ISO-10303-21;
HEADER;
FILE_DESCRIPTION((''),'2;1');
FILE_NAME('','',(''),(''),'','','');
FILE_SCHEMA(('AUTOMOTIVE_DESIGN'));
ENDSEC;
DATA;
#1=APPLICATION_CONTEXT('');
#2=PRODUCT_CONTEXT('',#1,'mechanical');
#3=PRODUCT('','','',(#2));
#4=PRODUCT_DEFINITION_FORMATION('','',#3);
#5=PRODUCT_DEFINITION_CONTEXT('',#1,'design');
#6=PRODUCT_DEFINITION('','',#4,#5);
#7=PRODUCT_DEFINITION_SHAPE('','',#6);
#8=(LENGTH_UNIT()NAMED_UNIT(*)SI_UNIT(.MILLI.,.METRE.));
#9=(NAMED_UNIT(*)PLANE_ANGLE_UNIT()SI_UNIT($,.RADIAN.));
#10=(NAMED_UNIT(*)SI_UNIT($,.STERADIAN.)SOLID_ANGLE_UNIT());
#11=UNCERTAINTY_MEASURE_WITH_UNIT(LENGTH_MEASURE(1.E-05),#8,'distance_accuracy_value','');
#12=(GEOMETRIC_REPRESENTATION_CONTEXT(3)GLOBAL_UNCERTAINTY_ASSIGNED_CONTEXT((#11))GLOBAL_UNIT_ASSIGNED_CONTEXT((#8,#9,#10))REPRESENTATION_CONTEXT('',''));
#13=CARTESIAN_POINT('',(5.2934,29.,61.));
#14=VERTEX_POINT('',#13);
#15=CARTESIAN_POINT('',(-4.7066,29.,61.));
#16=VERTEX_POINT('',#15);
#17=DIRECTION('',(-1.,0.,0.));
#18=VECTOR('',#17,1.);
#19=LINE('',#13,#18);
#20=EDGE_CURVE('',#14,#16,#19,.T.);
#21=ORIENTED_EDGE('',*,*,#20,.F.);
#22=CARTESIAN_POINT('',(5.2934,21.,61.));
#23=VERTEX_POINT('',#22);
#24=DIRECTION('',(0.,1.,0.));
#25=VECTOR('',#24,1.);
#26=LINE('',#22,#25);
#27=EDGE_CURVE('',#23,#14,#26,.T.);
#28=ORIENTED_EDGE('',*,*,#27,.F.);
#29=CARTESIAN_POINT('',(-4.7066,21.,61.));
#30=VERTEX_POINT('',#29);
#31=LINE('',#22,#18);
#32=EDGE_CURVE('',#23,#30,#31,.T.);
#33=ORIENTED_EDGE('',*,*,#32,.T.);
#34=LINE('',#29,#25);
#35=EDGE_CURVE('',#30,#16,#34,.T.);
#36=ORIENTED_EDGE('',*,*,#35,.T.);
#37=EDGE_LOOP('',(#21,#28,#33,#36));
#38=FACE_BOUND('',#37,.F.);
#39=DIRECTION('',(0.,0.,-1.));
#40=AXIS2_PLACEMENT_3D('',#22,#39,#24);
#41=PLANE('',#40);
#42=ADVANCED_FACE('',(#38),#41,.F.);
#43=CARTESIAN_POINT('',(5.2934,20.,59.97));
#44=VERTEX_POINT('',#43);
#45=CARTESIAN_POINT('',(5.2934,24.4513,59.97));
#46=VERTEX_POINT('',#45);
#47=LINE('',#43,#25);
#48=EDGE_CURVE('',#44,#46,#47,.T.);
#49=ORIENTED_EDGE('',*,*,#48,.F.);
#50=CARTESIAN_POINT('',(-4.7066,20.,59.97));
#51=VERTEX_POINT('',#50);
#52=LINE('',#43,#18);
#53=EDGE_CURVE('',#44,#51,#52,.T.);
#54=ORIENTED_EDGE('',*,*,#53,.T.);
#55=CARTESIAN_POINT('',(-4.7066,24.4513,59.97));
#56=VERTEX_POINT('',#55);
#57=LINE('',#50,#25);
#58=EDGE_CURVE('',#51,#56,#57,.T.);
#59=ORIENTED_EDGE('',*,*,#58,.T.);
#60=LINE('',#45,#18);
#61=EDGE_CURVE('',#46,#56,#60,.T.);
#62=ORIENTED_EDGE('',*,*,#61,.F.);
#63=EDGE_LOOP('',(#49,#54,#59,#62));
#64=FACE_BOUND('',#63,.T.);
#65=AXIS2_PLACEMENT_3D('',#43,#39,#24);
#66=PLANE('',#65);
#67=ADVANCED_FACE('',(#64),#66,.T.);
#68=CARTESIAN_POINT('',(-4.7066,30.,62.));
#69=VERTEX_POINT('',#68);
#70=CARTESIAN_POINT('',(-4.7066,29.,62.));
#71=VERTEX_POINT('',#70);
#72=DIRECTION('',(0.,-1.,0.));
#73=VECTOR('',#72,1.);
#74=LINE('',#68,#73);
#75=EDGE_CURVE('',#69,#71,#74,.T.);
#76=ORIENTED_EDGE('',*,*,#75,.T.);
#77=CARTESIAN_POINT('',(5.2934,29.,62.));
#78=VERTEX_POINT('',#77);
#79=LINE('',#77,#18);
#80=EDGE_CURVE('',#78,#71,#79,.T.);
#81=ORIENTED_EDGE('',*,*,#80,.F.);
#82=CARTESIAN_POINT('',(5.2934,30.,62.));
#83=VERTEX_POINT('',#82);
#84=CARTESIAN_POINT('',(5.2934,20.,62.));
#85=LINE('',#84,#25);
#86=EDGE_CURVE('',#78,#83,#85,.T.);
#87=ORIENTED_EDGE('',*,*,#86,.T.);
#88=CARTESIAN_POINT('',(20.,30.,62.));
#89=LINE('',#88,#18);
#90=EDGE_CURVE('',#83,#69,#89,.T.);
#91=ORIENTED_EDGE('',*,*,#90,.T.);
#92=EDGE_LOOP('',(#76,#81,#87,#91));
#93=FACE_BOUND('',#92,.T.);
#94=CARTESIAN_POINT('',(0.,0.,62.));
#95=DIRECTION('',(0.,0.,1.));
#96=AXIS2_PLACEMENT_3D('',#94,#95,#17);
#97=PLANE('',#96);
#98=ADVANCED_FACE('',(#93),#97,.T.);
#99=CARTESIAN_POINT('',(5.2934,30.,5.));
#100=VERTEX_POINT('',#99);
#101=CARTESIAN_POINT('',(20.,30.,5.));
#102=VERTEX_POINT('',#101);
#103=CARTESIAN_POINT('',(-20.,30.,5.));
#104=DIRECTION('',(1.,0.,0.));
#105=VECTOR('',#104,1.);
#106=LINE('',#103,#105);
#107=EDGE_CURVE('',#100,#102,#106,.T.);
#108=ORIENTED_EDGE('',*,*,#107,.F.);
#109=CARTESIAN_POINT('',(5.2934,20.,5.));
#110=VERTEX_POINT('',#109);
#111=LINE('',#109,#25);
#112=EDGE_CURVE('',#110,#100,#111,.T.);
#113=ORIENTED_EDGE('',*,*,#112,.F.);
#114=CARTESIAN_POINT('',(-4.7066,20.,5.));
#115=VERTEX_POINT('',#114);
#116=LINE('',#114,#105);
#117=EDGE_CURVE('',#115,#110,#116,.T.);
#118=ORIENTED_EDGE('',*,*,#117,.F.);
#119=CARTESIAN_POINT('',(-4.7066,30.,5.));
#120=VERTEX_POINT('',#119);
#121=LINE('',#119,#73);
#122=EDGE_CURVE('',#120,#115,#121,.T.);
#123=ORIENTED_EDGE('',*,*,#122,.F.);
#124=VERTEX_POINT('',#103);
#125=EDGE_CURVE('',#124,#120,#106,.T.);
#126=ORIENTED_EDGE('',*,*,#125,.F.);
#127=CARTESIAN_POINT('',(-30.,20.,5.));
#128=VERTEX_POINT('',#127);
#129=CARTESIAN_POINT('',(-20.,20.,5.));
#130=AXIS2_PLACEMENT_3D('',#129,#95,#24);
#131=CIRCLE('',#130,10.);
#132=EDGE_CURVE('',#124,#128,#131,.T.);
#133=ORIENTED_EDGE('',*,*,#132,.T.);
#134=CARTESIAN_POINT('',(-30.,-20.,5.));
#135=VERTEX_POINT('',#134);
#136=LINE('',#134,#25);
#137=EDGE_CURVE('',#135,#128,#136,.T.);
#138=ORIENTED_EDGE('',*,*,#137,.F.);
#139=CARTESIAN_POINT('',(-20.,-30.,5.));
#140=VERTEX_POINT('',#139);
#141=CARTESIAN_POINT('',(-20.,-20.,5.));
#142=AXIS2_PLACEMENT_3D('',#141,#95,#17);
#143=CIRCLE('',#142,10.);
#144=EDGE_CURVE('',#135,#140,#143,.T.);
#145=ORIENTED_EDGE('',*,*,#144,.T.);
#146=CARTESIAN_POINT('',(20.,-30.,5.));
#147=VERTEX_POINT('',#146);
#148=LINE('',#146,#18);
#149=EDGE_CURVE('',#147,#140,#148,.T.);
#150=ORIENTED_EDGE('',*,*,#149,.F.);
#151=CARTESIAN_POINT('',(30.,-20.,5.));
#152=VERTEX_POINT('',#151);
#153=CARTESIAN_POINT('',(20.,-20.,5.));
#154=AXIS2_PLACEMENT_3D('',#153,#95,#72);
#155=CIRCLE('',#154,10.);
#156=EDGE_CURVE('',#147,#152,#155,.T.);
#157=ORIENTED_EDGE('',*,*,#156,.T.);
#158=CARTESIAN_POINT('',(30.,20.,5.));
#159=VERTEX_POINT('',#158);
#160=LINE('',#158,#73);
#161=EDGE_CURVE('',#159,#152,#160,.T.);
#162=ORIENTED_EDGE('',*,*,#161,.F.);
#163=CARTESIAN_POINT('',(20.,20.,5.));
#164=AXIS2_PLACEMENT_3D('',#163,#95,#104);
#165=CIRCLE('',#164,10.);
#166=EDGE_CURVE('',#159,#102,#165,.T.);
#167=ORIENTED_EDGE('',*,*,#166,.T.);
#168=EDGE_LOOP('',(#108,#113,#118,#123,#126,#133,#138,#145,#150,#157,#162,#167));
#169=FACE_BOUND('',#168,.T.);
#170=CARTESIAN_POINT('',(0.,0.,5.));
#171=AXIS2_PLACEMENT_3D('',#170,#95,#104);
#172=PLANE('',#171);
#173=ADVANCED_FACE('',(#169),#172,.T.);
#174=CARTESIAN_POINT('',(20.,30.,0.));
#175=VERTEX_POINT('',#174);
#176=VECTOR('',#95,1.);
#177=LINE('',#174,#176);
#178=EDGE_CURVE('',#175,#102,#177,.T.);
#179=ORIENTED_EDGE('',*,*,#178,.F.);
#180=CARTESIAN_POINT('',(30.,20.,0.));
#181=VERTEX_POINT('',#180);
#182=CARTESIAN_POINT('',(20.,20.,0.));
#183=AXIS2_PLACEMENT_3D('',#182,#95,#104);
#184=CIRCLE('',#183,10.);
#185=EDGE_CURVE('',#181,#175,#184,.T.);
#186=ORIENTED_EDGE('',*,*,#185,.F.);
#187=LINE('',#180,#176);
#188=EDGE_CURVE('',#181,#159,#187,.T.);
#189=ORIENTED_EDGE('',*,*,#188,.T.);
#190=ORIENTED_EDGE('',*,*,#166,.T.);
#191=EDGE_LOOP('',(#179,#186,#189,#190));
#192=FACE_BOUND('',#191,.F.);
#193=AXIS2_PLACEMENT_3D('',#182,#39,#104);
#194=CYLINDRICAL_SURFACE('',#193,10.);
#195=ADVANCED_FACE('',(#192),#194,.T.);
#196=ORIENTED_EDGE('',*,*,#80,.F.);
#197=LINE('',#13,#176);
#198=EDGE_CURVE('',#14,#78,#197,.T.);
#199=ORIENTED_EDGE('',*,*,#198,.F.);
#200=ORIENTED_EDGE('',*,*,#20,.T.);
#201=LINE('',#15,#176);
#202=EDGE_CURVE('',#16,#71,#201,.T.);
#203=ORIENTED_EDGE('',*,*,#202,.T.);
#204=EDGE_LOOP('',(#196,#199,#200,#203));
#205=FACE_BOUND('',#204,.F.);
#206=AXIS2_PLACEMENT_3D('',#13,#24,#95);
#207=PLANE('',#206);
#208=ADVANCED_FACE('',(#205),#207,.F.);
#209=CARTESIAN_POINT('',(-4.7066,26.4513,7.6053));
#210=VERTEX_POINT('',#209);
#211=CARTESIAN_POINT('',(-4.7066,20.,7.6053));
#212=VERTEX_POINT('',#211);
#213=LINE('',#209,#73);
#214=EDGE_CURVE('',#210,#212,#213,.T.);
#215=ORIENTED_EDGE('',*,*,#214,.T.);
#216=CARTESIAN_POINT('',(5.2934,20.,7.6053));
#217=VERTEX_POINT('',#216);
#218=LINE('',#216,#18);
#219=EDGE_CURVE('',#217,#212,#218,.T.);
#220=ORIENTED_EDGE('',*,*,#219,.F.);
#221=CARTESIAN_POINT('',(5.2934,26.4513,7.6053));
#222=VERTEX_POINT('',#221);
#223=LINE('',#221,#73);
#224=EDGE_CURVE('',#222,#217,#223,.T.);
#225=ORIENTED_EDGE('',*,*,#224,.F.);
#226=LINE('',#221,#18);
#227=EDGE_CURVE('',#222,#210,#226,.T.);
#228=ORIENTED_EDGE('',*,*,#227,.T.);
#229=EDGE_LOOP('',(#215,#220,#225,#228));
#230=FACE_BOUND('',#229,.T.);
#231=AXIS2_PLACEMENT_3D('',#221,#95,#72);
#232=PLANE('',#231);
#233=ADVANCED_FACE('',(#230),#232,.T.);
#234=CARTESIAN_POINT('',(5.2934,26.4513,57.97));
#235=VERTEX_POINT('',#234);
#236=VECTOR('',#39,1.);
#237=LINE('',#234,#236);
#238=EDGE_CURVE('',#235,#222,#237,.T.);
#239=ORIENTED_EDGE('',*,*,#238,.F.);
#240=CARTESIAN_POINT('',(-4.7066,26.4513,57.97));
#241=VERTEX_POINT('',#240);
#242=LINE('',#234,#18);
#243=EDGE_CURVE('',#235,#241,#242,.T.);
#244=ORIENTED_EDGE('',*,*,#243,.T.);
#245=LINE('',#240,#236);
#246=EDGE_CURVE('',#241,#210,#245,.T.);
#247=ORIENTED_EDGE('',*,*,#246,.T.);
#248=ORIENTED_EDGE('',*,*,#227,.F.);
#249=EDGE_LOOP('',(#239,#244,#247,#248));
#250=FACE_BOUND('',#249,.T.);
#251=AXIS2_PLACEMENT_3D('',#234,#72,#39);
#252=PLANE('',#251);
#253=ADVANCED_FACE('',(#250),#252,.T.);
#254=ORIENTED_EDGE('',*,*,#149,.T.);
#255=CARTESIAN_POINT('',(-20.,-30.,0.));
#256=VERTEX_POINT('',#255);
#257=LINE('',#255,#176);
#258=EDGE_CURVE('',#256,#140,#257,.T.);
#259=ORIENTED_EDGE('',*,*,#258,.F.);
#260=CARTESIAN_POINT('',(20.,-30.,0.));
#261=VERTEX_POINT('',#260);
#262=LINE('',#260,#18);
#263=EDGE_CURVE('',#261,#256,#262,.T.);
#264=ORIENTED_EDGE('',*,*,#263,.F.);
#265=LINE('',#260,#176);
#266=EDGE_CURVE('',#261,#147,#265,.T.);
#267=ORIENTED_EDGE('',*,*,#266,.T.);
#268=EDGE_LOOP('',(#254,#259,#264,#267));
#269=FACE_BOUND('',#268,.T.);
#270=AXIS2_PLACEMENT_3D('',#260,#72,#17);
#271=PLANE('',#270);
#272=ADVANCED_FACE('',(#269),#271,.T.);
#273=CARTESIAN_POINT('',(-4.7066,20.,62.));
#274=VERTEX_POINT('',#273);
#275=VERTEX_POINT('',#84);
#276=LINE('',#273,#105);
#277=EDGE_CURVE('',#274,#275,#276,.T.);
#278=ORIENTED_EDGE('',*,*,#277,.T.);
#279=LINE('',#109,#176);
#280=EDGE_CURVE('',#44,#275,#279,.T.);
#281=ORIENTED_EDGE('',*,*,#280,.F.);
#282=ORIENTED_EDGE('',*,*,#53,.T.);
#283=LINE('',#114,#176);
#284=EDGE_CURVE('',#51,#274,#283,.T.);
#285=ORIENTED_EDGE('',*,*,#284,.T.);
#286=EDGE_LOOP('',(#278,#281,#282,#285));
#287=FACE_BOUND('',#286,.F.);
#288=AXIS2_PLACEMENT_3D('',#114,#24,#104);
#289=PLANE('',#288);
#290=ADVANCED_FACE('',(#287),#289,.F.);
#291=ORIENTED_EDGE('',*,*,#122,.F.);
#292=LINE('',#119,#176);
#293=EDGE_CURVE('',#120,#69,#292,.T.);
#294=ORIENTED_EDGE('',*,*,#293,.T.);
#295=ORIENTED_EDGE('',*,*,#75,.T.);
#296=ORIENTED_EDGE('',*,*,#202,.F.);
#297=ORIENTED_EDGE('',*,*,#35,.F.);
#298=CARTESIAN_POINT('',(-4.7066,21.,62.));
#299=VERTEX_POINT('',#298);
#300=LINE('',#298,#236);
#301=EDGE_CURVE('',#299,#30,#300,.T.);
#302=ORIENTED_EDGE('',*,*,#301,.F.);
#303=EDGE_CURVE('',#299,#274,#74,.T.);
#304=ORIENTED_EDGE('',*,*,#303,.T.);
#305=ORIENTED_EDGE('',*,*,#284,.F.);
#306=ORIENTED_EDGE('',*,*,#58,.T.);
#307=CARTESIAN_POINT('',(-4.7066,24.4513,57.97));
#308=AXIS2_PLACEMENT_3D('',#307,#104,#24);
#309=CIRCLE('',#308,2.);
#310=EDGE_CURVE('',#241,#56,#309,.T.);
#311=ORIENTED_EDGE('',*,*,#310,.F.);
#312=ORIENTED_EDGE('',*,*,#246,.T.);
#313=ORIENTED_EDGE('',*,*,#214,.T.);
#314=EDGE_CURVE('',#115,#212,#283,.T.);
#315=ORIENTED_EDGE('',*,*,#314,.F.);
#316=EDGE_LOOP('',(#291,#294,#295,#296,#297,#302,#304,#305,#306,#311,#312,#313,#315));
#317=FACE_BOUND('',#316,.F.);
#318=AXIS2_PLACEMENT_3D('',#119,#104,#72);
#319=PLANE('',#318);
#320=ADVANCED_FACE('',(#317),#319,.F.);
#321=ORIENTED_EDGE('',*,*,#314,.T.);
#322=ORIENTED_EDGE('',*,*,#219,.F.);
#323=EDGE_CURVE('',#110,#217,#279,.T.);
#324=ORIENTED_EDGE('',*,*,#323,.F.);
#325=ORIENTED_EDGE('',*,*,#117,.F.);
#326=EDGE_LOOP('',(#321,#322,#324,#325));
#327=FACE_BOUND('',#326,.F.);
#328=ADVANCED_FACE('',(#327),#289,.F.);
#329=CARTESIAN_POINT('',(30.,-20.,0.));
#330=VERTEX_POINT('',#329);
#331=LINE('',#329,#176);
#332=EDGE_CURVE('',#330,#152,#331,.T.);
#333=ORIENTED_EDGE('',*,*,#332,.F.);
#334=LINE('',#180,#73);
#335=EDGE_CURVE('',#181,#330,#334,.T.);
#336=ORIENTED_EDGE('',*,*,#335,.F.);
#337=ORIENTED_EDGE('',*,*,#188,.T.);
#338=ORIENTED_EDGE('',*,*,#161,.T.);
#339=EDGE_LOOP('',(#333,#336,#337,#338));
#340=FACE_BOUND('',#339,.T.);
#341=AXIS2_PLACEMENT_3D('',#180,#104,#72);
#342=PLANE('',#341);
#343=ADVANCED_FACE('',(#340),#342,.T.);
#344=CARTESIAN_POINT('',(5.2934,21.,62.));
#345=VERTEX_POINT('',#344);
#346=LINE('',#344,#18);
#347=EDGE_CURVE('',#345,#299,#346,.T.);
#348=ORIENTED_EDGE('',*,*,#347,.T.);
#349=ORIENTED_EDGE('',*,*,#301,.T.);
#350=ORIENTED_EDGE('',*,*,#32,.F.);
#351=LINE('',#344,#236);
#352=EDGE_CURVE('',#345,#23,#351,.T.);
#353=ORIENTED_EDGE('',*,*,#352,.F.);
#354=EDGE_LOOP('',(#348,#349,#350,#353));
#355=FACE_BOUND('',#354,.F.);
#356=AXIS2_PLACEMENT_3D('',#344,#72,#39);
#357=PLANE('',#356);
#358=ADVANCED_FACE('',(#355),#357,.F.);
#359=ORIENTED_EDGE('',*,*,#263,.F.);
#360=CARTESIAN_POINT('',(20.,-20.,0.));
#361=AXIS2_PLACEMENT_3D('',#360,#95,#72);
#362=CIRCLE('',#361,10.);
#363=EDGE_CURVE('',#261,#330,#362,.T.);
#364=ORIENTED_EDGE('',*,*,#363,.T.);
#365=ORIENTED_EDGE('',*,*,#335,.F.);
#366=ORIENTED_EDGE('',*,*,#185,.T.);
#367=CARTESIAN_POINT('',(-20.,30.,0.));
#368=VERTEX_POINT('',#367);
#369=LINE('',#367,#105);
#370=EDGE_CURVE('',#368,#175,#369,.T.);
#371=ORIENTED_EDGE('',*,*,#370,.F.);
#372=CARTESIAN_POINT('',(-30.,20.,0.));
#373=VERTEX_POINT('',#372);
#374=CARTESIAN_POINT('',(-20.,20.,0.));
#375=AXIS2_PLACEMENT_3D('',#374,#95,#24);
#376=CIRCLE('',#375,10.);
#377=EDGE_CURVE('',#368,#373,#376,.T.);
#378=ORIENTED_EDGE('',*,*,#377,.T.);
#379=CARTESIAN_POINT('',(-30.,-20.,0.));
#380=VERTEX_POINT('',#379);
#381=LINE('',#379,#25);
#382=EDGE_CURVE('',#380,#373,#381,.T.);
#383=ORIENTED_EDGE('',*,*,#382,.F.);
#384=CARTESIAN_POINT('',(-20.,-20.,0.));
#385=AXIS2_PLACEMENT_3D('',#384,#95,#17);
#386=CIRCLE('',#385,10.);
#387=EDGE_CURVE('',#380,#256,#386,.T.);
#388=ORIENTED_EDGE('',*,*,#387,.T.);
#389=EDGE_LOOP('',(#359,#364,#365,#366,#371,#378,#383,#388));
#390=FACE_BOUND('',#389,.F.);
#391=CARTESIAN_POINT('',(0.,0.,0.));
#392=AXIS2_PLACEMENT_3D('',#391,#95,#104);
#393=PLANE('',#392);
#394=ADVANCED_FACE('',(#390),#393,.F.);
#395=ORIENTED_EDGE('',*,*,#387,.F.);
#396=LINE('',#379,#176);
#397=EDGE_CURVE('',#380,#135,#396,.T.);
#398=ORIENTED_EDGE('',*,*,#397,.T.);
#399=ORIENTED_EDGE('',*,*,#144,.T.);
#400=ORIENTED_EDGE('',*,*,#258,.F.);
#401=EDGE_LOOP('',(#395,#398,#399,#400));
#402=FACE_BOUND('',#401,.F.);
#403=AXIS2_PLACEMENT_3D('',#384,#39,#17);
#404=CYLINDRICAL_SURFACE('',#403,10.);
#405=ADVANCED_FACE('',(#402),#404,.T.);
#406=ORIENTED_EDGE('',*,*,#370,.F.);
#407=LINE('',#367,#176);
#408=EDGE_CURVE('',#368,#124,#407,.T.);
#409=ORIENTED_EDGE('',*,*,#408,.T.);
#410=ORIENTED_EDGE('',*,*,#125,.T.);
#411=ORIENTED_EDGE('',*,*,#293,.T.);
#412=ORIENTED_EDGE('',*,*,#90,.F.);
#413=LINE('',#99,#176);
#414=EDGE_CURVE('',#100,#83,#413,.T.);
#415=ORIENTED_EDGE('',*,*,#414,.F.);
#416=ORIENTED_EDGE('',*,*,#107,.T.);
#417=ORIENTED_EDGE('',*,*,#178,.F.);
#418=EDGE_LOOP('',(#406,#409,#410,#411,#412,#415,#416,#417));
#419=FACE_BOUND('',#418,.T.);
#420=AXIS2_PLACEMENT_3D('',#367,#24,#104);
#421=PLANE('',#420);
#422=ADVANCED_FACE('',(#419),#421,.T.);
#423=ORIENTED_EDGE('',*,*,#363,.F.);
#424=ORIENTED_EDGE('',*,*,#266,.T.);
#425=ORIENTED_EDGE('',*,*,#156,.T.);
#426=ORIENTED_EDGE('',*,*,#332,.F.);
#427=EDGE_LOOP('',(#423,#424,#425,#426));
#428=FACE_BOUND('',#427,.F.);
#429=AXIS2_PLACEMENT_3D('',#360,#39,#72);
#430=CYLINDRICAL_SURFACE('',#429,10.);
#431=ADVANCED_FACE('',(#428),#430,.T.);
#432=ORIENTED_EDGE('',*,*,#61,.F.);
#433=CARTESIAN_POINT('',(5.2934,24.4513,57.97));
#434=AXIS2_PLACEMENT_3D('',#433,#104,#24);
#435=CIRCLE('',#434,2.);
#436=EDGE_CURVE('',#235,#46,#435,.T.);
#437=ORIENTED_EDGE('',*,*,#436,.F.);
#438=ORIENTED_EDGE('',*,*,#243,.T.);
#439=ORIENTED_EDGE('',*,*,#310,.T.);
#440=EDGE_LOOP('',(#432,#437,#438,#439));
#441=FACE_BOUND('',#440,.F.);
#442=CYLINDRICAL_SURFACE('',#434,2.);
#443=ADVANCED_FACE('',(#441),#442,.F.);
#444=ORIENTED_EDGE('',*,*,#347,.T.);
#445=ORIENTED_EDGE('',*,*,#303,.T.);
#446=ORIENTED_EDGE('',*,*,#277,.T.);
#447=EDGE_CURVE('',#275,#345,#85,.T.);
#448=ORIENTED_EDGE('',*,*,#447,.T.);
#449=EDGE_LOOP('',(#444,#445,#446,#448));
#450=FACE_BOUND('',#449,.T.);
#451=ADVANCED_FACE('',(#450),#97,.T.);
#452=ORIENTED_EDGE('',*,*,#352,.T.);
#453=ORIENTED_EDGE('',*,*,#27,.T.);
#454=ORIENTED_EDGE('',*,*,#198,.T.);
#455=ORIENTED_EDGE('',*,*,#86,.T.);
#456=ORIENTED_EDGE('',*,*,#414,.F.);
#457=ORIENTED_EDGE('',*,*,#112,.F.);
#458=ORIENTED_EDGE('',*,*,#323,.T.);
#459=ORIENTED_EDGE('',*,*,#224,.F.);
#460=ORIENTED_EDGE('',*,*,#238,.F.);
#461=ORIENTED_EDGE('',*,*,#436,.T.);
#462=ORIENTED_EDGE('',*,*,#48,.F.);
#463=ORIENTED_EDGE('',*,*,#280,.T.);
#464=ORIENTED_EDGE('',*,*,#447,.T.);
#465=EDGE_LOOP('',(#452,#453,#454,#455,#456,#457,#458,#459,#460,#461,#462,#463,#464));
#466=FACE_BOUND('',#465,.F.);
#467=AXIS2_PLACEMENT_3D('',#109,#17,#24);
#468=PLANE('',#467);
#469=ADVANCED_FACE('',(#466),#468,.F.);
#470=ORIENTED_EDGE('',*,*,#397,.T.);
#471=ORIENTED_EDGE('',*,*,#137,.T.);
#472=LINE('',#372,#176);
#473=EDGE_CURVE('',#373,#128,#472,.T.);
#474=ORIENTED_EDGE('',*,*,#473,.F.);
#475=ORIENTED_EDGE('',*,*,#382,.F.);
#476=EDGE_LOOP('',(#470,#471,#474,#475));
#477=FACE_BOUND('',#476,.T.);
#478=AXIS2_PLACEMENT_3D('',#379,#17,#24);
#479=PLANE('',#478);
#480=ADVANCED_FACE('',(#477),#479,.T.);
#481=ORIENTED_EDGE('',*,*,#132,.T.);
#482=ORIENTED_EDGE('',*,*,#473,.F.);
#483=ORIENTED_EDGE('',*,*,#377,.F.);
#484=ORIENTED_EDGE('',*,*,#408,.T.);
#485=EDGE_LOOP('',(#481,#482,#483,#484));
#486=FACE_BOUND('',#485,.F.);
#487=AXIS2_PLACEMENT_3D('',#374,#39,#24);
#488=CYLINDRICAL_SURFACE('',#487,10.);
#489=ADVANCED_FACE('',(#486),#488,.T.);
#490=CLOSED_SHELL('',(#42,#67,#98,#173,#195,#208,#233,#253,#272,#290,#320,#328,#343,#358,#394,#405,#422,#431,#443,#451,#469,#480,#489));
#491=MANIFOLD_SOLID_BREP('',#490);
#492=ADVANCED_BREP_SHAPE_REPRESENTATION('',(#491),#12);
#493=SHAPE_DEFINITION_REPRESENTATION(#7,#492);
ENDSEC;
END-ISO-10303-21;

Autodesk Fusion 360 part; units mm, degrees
sketch "base" plane through (0, 0, 0) normal (0, 0, 1) x (1, 0, 0)
  line L0 (-20, 30) -> (20, 30)
  line L1 (30, 20) -> (30, -20)
  line L2 (20, -30) -> (-20, -30)
  line L3 (-30, -20) -> (-30, 20)
  line L4 (-30, 30) -> (30, -30) construction
  line L5 (30, 30) -> (-30, -30) construction
  arc A0 (-20, 30) -> (-30, 20) centre (-20, 20) ccw
  arc A1 (30, 20) -> (20, 30) centre (20, 20) ccw
  arc A2 (20, -30) -> (30, -20) centre (20, -20) ccw
  arc A3 (-30, -20) -> (-20, -30) centre (-20, -20) ccw
  dimension "d1" = 10
  dimension "d2" = 40
  dimension "d3" = 40
extrude "Extrude1" add sketch "base" along normal blind 5
sketch "post anchor" plane through (0, 0, 5) normal (0, 0, 1) x (-1, 0, 0)
  arc A0 (20, -30) -> (30, -20) centre (20, -20) ccw
  line L0 (30, -20) -> (30, 20)
  arc A1 (30, 20) -> (20, 30) centre (20, 20) ccw
  line L1 (20, 30) -> (-20, 30)
  arc A2 (-20, 30) -> (-30, 20) centre (-20, 20) ccw
  line L2 (-30, 20) -> (-30, -20)
  arc A3 (-30, -20) -> (-20, -30) centre (-20, -20) ccw
  line L3 (-20, -30) -> (20, -30)
  line L4 (4.7066, -30) -> (-5.2934, -30)
  line L5 (4.7066, -30) -> (4.7066, -20)
  line L6 (4.7066, -20) -> (-5.2934, -20)
  line L7 (-5.2934, -20) -> (-5.2934, -30)
  point P0 (0, -30)
  dimension "d6" = 10
  dimension "d7" = 10
extrude "Extrude2" add sketch "post anchor" along normal blind 57 contours L3 L4 L5 L6 L7
sketch "stand profile" plane through (5.2934, 0, 0) normal (1, 0, 0) x (0, 1, 0)
  line L0 (20, 5) -> (30, 5)
  line L1 (30, 5) -> (30, 62)
  line L2 (30, 62) -> (20, 62)
  line L3 (20, 62) -> (20, 5)
  line L4 (20, 5) -> (30, 5)
  line L5 (30, 62) -> (20, 62)
  line L6 (20, 59.97) -> (24.4513, 59.97)
  line L7 (26.4513, 57.97) -> (26.4513, 7.6053)
  line L8 (26.4513, 7.6053) -> (20, 7.6053)
  line L9 (20, 5) -> (20, 7.6053)
  line L10 (20, 62) -> (20, 59.97)
  arc A0 (26.4513, 57.97) -> (24.4513, 59.97) centre (24.4513, 57.97) ccw
  dimension "d10" = 3.5487
  dimension "d11" = 2.6053
  dimension "d12" = 2.03
  dimension "d13" = 2
extrude "Extrude3" cut sketch "stand profile" against normal blind 10 contours L3 L6 L7 L8 A0
sketch "headphone rest" plane through (5.2934, 0, 0) normal (1, 0, 0) x (0, 1, 0)
  line L0 (26.4513, 7.6053) -> (20, 7.6053)
  line L1 (20, 7.6053) -> (20, 5)
  line L2 (20, 5) -> (30, 5)
  line L3 (30, 5) -> (30, 62)
  line L4 (30, 62) -> (20, 62)
  line L5 (20, 62) -> (20, 59.97)
  line L6 (20, 59.97) -> (24.4513, 59.97)
  arc A0 (26.4513, 57.97) -> (24.4513, 59.97) centre (24.4513, 57.97) ccw
  line L7 (26.4513, 57.97) -> (26.4513, 7.6053)
  line L8 (21, 62) -> (21, 61)
  line L9 (21, 61) -> (29, 61)
  line L10 (29, 61) -> (29, 62)
  line L11 (30, 62) -> (30, 60.477)
  line L12 (20, 60.477) -> (20, 62)
  line L13 (21, 62) -> (20, 62)
  line L14 (20, 60.477) -> (30, 60.477)
  dimension "d16" = 1
  dimension "d17" = 1
  dimension "d18" = 0.523
  dimension "d19" = 1
extrude "Extrude4" cut sketch "headphone rest" against normal blind 10 contours L4 L8 L9 L10
